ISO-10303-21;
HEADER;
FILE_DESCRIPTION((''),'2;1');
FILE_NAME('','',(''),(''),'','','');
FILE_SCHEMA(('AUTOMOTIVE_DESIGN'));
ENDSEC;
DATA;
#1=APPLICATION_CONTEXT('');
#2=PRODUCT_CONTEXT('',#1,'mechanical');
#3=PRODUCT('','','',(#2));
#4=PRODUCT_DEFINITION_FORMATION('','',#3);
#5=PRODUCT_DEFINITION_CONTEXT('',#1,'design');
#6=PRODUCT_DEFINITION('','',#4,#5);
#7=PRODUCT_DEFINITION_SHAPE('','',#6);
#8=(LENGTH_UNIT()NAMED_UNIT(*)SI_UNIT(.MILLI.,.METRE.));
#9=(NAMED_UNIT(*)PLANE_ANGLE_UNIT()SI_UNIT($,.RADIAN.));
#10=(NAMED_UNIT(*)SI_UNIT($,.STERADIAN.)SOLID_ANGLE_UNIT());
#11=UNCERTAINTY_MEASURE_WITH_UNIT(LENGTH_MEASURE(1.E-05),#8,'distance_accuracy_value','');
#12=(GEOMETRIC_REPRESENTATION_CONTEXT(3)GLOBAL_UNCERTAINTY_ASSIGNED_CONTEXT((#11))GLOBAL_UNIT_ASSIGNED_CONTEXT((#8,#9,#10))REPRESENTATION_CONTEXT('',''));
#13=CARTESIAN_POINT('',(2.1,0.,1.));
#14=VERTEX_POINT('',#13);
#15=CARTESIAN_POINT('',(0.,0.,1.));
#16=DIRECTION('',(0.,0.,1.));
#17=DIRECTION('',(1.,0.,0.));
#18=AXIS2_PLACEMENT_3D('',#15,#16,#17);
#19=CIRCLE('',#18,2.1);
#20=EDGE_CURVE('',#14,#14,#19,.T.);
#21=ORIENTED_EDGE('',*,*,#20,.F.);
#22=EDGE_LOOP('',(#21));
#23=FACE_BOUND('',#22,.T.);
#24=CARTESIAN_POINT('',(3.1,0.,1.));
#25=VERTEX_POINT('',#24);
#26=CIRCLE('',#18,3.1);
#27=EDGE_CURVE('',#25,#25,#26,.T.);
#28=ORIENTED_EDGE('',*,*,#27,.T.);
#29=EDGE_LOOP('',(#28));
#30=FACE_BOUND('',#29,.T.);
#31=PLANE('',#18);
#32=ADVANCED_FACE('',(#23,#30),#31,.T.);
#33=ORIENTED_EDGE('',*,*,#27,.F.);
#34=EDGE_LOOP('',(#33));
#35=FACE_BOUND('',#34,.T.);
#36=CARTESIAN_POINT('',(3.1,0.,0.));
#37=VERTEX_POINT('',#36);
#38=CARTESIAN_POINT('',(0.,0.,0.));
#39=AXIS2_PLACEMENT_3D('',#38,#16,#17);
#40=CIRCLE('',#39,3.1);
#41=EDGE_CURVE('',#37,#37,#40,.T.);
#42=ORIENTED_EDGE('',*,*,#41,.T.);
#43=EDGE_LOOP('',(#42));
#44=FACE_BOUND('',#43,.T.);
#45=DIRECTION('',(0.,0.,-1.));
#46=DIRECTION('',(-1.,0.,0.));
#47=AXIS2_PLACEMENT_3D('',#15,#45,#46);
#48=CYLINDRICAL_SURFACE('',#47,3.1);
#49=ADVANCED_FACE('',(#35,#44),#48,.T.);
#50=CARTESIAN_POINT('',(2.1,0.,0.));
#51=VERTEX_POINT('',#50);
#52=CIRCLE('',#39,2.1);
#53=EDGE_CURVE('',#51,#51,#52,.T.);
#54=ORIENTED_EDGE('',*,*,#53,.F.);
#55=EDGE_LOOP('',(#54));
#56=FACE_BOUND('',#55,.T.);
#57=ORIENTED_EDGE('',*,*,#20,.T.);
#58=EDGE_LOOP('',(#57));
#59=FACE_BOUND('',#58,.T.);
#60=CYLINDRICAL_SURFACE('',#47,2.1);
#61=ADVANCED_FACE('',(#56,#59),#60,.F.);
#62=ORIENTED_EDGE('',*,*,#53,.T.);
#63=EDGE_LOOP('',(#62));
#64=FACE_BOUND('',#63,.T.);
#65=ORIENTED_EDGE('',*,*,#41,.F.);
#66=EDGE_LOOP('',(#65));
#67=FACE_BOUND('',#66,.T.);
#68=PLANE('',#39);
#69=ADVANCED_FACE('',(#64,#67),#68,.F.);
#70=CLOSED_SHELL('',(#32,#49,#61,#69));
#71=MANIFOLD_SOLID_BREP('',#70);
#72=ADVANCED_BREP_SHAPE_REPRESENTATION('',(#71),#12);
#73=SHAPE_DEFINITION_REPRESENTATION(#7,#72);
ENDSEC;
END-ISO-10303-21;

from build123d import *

# Parameters (mm, degrees)
SKETCH1_R           = 3.1
SKETCH1_R_2         = 2.1
BOSS_EXTRUDE1_DEPTH = 1


with BuildPart() as part:
    # Sketch1 → Boss-Extrude1 (new body)
    with BuildSketch(Plane.XY):
        Circle(SKETCH1_R)
        Circle(SKETCH1_R_2, mode=Mode.SUBTRACT)
    extrude(amount=BOSS_EXTRUDE1_DEPTH)


solid = part.part
